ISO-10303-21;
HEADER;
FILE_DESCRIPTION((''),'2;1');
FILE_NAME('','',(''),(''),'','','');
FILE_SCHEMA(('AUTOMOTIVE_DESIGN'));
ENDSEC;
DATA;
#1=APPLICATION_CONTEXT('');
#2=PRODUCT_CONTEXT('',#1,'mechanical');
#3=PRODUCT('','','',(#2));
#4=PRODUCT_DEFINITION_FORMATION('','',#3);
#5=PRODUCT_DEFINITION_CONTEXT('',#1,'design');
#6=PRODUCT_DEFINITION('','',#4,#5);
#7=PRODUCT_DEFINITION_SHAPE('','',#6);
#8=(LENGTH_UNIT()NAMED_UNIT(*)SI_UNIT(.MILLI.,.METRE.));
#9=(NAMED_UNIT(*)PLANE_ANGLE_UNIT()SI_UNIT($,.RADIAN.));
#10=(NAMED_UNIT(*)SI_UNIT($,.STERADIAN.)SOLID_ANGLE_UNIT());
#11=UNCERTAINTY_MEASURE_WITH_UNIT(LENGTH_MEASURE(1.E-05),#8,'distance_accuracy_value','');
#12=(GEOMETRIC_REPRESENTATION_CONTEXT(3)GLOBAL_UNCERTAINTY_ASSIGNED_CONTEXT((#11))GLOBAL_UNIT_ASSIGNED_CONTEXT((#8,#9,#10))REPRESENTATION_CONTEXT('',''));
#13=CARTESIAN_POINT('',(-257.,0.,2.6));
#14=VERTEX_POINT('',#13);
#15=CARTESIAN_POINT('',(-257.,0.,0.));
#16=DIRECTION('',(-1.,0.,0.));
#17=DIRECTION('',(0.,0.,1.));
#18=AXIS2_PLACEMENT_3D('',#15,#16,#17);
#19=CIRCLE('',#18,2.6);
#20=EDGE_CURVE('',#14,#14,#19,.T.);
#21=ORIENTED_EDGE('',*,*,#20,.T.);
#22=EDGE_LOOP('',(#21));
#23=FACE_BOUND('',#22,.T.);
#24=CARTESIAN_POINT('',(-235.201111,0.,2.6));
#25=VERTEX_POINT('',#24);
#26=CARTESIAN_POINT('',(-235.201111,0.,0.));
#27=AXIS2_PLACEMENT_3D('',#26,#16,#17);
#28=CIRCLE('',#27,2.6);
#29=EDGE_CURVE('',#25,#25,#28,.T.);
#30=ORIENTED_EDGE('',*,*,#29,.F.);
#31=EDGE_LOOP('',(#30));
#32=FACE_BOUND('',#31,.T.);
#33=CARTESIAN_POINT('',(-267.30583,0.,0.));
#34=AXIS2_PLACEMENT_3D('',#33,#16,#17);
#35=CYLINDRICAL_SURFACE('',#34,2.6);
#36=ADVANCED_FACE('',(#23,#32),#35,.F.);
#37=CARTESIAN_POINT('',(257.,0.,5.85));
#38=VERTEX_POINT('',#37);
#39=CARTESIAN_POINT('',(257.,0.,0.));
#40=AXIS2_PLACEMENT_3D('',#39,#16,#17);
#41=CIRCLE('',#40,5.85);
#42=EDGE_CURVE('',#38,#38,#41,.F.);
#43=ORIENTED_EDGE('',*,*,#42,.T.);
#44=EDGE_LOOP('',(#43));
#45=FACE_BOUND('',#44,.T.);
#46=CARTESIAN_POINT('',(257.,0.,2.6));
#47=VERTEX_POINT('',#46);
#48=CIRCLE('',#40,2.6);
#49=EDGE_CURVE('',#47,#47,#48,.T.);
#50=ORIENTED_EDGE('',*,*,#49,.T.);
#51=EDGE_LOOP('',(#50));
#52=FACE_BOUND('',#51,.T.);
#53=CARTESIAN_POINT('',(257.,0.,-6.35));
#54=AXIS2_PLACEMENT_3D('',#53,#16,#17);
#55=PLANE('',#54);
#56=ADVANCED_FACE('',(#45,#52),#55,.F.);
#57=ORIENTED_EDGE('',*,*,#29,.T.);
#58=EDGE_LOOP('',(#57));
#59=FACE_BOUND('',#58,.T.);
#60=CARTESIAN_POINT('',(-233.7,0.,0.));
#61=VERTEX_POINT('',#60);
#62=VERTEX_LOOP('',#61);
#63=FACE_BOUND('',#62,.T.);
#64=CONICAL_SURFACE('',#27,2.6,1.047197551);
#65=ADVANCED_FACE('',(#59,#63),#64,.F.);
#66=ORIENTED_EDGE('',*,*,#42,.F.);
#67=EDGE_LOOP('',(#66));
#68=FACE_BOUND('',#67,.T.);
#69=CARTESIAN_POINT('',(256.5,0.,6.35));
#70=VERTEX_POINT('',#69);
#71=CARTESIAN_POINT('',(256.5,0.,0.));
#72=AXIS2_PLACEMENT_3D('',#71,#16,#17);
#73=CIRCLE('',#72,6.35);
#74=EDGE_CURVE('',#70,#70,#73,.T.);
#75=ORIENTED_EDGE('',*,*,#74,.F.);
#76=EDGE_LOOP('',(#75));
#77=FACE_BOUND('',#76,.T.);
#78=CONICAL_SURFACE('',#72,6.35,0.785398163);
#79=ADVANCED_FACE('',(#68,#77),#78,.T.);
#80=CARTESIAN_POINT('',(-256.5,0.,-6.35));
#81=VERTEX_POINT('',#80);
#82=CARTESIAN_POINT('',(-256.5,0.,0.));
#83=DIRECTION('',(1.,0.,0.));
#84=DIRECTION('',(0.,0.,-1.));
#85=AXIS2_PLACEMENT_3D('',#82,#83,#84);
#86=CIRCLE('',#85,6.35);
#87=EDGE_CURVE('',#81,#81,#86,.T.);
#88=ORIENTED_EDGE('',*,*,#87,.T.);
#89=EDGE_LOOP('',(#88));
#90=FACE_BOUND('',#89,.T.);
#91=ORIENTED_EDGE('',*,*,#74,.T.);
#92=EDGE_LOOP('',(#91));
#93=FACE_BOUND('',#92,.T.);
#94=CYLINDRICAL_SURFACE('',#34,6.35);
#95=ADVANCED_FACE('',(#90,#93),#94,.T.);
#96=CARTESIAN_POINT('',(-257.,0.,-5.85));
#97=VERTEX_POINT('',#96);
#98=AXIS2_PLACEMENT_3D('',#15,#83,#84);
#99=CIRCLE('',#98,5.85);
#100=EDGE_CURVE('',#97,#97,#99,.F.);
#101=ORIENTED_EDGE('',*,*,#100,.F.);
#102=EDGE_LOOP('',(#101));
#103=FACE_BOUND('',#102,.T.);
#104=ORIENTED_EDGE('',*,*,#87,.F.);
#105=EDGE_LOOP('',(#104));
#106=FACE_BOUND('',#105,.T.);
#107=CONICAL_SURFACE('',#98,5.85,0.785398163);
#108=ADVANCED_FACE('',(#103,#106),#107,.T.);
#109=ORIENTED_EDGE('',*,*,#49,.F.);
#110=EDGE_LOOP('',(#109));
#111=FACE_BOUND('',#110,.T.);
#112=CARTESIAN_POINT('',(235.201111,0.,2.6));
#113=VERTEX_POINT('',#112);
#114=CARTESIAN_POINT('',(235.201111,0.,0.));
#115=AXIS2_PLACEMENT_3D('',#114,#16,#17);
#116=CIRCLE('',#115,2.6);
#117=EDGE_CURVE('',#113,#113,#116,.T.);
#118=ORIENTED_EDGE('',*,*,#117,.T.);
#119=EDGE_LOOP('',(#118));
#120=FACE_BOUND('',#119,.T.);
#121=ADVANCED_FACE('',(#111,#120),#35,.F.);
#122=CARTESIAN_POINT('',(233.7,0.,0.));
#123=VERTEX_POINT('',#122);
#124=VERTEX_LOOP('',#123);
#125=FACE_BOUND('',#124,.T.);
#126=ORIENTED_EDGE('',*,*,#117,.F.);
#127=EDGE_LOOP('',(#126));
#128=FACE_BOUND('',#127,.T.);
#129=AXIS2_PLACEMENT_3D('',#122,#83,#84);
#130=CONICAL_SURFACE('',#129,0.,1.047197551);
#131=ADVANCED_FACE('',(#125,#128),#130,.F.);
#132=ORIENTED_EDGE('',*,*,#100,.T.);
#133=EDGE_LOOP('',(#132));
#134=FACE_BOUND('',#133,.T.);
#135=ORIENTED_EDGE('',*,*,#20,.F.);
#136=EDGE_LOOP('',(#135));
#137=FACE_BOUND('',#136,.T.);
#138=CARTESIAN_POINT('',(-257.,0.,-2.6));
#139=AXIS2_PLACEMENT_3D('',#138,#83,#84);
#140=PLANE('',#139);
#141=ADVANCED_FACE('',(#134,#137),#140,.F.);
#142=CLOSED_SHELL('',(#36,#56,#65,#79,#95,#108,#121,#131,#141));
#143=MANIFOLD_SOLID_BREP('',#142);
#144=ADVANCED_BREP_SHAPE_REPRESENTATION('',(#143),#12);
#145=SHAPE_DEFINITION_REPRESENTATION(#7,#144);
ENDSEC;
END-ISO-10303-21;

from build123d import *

# Parameters (mm, degrees)
CHAMFER1_SIZE = 0.5


with BuildPart() as part:
    # Sketch1 → Revolve1 (revolve)
    with BuildSketch(Plane(origin=(0, 0, 0), x_dir=(1, 0, 0), z_dir=(0, 1, 0))):
        Polygon((-257, 6.35), (257, 6.35), (257, 2.6), (235.2011107, 2.6), (233.7, 0), (-233.7, 0), (-235.2011107, 2.6), (-257, 2.6), align=None)
    revolve(axis=Axis((-267.305829972, 0, 0), (1, 0, 0)))

    # Chamfer1
    chamfer1_edges = [part.edges().sort_by_distance(p)[0] for p in [
        (257, 0, 6.35),
        (-257, 0, 6.35),
    ]]
    chamfer(chamfer1_edges, length=CHAMFER1_SIZE)


solid = part.part
